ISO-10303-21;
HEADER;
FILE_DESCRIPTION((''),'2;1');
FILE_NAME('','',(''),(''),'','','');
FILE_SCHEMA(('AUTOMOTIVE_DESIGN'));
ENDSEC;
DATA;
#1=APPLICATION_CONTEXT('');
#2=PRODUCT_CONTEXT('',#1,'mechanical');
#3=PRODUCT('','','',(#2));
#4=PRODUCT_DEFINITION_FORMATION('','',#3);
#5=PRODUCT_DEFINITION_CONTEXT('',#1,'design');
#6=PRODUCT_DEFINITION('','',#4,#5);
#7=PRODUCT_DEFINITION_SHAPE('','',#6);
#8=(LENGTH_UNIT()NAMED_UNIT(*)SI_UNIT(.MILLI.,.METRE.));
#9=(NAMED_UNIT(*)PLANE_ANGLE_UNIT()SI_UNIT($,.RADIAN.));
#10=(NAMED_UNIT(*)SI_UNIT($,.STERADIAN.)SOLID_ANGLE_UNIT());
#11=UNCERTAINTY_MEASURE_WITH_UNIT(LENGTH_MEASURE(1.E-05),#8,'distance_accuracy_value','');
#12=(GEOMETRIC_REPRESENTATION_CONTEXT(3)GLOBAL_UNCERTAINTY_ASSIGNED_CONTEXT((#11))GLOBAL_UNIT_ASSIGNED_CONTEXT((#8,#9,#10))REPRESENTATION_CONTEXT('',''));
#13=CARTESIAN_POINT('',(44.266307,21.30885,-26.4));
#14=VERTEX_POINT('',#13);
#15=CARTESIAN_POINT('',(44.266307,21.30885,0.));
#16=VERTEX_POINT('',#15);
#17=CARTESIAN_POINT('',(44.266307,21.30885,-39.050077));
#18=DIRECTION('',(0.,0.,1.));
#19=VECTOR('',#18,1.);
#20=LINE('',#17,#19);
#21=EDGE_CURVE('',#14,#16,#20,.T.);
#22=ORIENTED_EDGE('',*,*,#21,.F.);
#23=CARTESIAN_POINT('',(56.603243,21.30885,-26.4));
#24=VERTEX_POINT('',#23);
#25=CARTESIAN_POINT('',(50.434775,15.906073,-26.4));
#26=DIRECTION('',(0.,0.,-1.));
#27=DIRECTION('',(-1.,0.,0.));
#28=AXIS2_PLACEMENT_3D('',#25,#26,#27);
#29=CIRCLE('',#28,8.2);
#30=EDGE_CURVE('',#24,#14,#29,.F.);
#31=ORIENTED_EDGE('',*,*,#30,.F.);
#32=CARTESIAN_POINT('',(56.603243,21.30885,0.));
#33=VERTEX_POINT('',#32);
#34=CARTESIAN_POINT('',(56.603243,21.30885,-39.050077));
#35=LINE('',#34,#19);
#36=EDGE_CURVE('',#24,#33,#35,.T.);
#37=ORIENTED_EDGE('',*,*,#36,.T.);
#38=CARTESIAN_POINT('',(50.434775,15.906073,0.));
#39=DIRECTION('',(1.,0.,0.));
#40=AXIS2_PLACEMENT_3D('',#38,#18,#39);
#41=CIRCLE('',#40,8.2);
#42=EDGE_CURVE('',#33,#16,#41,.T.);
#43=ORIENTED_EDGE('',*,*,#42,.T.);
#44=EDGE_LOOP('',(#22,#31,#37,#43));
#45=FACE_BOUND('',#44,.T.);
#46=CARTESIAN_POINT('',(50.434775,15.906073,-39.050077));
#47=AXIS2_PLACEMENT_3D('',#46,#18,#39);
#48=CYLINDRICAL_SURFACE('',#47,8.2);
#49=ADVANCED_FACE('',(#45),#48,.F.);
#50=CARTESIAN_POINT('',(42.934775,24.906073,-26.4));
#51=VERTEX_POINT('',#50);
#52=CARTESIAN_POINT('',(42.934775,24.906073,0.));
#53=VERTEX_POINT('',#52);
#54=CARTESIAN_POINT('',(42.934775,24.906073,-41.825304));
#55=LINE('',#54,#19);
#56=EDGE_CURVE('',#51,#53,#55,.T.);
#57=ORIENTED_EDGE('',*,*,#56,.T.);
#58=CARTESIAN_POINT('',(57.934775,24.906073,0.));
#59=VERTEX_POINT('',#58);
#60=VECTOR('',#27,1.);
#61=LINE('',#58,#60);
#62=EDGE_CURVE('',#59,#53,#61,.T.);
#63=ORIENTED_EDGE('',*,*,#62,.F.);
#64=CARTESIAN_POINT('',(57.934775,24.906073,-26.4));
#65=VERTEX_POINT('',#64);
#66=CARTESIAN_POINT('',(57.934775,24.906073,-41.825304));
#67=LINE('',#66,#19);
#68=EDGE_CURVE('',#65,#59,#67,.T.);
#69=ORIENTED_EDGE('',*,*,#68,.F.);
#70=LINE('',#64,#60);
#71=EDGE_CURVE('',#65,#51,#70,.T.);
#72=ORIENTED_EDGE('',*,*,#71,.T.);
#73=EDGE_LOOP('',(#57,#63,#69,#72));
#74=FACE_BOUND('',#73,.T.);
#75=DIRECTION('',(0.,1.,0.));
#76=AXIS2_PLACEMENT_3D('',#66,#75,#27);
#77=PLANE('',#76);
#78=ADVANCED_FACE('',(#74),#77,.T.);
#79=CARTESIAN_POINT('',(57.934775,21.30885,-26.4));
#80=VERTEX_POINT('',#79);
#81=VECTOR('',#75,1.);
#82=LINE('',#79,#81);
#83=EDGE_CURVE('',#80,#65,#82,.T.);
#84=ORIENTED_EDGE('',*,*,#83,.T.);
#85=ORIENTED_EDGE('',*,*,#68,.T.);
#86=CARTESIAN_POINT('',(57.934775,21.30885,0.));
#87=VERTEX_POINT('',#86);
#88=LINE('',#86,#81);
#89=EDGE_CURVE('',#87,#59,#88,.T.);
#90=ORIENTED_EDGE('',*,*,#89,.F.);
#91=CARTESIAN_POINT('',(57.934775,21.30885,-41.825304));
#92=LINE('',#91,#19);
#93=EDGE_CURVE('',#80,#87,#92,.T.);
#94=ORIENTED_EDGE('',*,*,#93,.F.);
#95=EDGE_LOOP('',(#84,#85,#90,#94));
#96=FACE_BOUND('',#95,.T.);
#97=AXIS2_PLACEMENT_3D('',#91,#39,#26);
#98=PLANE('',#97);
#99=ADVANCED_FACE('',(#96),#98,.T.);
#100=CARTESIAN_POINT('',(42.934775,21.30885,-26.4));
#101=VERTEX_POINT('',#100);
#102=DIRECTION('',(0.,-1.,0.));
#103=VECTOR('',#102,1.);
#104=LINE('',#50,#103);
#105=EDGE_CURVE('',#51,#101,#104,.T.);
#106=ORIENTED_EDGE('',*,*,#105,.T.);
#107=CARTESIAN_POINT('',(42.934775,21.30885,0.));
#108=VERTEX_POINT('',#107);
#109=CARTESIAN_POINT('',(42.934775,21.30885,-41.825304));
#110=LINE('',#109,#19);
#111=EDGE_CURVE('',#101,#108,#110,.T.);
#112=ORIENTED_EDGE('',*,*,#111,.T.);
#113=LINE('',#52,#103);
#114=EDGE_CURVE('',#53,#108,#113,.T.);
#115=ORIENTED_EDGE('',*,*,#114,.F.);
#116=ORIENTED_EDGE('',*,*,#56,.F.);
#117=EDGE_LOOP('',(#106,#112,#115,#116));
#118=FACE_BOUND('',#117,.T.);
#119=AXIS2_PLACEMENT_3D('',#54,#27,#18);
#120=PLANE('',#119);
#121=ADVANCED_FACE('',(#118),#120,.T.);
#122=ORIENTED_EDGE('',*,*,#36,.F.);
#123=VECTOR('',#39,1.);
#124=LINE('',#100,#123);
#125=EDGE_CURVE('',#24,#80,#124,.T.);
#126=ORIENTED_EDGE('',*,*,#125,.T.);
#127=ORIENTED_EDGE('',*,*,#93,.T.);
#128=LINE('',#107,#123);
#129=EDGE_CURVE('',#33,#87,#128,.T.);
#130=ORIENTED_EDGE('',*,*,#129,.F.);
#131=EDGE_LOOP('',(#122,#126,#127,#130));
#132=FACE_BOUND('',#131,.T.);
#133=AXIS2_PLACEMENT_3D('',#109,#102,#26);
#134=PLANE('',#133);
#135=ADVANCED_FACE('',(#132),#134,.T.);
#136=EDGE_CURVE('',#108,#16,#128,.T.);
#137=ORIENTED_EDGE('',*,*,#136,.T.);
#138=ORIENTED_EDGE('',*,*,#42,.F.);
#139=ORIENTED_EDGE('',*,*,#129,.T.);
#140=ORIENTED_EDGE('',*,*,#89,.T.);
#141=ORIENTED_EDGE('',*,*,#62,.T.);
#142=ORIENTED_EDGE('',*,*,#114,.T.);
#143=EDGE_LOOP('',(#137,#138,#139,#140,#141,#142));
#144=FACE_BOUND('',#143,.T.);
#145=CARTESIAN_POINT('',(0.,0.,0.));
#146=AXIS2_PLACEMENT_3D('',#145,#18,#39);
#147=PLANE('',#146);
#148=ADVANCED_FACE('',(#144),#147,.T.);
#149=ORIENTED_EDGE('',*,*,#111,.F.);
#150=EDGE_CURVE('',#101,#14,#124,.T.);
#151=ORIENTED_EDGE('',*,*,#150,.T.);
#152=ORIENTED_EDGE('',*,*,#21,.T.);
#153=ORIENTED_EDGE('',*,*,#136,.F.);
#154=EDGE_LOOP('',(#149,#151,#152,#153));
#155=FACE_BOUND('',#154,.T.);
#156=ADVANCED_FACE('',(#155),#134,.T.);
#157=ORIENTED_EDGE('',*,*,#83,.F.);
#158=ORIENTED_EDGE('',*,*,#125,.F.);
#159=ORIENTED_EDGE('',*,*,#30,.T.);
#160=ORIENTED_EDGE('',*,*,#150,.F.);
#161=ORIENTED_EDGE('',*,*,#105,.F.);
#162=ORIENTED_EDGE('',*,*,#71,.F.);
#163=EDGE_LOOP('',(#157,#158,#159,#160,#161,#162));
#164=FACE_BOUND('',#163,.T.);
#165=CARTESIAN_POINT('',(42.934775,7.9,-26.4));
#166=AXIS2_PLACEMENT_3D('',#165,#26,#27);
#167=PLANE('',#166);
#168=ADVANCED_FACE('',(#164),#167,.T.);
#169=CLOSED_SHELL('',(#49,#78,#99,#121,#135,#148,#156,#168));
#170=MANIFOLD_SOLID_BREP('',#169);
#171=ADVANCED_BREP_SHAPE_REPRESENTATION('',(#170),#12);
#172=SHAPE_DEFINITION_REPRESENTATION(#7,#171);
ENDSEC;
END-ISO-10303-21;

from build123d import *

# Parameters (mm, degrees)
SKETCH2_W           = 15
SKETCH2_H           = 3.597222937
BOSS_EXTRUDE1_DEPTH = 26.4
CUT_EXTRUDE1_DEPTH  = 26.4


with BuildPart() as part:
    # Sketch2 → Boss-Extrude1 (new body)
    with BuildSketch(Plane.XY):
        with Locations((50.434775134, 23.107461061)):
            Rectangle(SKETCH2_W, SKETCH2_H)
    extrude(amount=-BOSS_EXTRUDE1_DEPTH)

    # Sketch3 → Cut-Extrude1 (cut)
    with BuildSketch(Plane.XY):
        with BuildLine():
            Line((44.266306929, 21.308849592), (56.603243339, 21.308849592))
            ThreePointArc((56.603243339, 21.308849592), (50.434775134, 24.106072529), (44.266306929, 21.308849592))
        make_face()
    extrude(amount=-CUT_EXTRUDE1_DEPTH, mode=Mode.SUBTRACT)


solid = part.part
